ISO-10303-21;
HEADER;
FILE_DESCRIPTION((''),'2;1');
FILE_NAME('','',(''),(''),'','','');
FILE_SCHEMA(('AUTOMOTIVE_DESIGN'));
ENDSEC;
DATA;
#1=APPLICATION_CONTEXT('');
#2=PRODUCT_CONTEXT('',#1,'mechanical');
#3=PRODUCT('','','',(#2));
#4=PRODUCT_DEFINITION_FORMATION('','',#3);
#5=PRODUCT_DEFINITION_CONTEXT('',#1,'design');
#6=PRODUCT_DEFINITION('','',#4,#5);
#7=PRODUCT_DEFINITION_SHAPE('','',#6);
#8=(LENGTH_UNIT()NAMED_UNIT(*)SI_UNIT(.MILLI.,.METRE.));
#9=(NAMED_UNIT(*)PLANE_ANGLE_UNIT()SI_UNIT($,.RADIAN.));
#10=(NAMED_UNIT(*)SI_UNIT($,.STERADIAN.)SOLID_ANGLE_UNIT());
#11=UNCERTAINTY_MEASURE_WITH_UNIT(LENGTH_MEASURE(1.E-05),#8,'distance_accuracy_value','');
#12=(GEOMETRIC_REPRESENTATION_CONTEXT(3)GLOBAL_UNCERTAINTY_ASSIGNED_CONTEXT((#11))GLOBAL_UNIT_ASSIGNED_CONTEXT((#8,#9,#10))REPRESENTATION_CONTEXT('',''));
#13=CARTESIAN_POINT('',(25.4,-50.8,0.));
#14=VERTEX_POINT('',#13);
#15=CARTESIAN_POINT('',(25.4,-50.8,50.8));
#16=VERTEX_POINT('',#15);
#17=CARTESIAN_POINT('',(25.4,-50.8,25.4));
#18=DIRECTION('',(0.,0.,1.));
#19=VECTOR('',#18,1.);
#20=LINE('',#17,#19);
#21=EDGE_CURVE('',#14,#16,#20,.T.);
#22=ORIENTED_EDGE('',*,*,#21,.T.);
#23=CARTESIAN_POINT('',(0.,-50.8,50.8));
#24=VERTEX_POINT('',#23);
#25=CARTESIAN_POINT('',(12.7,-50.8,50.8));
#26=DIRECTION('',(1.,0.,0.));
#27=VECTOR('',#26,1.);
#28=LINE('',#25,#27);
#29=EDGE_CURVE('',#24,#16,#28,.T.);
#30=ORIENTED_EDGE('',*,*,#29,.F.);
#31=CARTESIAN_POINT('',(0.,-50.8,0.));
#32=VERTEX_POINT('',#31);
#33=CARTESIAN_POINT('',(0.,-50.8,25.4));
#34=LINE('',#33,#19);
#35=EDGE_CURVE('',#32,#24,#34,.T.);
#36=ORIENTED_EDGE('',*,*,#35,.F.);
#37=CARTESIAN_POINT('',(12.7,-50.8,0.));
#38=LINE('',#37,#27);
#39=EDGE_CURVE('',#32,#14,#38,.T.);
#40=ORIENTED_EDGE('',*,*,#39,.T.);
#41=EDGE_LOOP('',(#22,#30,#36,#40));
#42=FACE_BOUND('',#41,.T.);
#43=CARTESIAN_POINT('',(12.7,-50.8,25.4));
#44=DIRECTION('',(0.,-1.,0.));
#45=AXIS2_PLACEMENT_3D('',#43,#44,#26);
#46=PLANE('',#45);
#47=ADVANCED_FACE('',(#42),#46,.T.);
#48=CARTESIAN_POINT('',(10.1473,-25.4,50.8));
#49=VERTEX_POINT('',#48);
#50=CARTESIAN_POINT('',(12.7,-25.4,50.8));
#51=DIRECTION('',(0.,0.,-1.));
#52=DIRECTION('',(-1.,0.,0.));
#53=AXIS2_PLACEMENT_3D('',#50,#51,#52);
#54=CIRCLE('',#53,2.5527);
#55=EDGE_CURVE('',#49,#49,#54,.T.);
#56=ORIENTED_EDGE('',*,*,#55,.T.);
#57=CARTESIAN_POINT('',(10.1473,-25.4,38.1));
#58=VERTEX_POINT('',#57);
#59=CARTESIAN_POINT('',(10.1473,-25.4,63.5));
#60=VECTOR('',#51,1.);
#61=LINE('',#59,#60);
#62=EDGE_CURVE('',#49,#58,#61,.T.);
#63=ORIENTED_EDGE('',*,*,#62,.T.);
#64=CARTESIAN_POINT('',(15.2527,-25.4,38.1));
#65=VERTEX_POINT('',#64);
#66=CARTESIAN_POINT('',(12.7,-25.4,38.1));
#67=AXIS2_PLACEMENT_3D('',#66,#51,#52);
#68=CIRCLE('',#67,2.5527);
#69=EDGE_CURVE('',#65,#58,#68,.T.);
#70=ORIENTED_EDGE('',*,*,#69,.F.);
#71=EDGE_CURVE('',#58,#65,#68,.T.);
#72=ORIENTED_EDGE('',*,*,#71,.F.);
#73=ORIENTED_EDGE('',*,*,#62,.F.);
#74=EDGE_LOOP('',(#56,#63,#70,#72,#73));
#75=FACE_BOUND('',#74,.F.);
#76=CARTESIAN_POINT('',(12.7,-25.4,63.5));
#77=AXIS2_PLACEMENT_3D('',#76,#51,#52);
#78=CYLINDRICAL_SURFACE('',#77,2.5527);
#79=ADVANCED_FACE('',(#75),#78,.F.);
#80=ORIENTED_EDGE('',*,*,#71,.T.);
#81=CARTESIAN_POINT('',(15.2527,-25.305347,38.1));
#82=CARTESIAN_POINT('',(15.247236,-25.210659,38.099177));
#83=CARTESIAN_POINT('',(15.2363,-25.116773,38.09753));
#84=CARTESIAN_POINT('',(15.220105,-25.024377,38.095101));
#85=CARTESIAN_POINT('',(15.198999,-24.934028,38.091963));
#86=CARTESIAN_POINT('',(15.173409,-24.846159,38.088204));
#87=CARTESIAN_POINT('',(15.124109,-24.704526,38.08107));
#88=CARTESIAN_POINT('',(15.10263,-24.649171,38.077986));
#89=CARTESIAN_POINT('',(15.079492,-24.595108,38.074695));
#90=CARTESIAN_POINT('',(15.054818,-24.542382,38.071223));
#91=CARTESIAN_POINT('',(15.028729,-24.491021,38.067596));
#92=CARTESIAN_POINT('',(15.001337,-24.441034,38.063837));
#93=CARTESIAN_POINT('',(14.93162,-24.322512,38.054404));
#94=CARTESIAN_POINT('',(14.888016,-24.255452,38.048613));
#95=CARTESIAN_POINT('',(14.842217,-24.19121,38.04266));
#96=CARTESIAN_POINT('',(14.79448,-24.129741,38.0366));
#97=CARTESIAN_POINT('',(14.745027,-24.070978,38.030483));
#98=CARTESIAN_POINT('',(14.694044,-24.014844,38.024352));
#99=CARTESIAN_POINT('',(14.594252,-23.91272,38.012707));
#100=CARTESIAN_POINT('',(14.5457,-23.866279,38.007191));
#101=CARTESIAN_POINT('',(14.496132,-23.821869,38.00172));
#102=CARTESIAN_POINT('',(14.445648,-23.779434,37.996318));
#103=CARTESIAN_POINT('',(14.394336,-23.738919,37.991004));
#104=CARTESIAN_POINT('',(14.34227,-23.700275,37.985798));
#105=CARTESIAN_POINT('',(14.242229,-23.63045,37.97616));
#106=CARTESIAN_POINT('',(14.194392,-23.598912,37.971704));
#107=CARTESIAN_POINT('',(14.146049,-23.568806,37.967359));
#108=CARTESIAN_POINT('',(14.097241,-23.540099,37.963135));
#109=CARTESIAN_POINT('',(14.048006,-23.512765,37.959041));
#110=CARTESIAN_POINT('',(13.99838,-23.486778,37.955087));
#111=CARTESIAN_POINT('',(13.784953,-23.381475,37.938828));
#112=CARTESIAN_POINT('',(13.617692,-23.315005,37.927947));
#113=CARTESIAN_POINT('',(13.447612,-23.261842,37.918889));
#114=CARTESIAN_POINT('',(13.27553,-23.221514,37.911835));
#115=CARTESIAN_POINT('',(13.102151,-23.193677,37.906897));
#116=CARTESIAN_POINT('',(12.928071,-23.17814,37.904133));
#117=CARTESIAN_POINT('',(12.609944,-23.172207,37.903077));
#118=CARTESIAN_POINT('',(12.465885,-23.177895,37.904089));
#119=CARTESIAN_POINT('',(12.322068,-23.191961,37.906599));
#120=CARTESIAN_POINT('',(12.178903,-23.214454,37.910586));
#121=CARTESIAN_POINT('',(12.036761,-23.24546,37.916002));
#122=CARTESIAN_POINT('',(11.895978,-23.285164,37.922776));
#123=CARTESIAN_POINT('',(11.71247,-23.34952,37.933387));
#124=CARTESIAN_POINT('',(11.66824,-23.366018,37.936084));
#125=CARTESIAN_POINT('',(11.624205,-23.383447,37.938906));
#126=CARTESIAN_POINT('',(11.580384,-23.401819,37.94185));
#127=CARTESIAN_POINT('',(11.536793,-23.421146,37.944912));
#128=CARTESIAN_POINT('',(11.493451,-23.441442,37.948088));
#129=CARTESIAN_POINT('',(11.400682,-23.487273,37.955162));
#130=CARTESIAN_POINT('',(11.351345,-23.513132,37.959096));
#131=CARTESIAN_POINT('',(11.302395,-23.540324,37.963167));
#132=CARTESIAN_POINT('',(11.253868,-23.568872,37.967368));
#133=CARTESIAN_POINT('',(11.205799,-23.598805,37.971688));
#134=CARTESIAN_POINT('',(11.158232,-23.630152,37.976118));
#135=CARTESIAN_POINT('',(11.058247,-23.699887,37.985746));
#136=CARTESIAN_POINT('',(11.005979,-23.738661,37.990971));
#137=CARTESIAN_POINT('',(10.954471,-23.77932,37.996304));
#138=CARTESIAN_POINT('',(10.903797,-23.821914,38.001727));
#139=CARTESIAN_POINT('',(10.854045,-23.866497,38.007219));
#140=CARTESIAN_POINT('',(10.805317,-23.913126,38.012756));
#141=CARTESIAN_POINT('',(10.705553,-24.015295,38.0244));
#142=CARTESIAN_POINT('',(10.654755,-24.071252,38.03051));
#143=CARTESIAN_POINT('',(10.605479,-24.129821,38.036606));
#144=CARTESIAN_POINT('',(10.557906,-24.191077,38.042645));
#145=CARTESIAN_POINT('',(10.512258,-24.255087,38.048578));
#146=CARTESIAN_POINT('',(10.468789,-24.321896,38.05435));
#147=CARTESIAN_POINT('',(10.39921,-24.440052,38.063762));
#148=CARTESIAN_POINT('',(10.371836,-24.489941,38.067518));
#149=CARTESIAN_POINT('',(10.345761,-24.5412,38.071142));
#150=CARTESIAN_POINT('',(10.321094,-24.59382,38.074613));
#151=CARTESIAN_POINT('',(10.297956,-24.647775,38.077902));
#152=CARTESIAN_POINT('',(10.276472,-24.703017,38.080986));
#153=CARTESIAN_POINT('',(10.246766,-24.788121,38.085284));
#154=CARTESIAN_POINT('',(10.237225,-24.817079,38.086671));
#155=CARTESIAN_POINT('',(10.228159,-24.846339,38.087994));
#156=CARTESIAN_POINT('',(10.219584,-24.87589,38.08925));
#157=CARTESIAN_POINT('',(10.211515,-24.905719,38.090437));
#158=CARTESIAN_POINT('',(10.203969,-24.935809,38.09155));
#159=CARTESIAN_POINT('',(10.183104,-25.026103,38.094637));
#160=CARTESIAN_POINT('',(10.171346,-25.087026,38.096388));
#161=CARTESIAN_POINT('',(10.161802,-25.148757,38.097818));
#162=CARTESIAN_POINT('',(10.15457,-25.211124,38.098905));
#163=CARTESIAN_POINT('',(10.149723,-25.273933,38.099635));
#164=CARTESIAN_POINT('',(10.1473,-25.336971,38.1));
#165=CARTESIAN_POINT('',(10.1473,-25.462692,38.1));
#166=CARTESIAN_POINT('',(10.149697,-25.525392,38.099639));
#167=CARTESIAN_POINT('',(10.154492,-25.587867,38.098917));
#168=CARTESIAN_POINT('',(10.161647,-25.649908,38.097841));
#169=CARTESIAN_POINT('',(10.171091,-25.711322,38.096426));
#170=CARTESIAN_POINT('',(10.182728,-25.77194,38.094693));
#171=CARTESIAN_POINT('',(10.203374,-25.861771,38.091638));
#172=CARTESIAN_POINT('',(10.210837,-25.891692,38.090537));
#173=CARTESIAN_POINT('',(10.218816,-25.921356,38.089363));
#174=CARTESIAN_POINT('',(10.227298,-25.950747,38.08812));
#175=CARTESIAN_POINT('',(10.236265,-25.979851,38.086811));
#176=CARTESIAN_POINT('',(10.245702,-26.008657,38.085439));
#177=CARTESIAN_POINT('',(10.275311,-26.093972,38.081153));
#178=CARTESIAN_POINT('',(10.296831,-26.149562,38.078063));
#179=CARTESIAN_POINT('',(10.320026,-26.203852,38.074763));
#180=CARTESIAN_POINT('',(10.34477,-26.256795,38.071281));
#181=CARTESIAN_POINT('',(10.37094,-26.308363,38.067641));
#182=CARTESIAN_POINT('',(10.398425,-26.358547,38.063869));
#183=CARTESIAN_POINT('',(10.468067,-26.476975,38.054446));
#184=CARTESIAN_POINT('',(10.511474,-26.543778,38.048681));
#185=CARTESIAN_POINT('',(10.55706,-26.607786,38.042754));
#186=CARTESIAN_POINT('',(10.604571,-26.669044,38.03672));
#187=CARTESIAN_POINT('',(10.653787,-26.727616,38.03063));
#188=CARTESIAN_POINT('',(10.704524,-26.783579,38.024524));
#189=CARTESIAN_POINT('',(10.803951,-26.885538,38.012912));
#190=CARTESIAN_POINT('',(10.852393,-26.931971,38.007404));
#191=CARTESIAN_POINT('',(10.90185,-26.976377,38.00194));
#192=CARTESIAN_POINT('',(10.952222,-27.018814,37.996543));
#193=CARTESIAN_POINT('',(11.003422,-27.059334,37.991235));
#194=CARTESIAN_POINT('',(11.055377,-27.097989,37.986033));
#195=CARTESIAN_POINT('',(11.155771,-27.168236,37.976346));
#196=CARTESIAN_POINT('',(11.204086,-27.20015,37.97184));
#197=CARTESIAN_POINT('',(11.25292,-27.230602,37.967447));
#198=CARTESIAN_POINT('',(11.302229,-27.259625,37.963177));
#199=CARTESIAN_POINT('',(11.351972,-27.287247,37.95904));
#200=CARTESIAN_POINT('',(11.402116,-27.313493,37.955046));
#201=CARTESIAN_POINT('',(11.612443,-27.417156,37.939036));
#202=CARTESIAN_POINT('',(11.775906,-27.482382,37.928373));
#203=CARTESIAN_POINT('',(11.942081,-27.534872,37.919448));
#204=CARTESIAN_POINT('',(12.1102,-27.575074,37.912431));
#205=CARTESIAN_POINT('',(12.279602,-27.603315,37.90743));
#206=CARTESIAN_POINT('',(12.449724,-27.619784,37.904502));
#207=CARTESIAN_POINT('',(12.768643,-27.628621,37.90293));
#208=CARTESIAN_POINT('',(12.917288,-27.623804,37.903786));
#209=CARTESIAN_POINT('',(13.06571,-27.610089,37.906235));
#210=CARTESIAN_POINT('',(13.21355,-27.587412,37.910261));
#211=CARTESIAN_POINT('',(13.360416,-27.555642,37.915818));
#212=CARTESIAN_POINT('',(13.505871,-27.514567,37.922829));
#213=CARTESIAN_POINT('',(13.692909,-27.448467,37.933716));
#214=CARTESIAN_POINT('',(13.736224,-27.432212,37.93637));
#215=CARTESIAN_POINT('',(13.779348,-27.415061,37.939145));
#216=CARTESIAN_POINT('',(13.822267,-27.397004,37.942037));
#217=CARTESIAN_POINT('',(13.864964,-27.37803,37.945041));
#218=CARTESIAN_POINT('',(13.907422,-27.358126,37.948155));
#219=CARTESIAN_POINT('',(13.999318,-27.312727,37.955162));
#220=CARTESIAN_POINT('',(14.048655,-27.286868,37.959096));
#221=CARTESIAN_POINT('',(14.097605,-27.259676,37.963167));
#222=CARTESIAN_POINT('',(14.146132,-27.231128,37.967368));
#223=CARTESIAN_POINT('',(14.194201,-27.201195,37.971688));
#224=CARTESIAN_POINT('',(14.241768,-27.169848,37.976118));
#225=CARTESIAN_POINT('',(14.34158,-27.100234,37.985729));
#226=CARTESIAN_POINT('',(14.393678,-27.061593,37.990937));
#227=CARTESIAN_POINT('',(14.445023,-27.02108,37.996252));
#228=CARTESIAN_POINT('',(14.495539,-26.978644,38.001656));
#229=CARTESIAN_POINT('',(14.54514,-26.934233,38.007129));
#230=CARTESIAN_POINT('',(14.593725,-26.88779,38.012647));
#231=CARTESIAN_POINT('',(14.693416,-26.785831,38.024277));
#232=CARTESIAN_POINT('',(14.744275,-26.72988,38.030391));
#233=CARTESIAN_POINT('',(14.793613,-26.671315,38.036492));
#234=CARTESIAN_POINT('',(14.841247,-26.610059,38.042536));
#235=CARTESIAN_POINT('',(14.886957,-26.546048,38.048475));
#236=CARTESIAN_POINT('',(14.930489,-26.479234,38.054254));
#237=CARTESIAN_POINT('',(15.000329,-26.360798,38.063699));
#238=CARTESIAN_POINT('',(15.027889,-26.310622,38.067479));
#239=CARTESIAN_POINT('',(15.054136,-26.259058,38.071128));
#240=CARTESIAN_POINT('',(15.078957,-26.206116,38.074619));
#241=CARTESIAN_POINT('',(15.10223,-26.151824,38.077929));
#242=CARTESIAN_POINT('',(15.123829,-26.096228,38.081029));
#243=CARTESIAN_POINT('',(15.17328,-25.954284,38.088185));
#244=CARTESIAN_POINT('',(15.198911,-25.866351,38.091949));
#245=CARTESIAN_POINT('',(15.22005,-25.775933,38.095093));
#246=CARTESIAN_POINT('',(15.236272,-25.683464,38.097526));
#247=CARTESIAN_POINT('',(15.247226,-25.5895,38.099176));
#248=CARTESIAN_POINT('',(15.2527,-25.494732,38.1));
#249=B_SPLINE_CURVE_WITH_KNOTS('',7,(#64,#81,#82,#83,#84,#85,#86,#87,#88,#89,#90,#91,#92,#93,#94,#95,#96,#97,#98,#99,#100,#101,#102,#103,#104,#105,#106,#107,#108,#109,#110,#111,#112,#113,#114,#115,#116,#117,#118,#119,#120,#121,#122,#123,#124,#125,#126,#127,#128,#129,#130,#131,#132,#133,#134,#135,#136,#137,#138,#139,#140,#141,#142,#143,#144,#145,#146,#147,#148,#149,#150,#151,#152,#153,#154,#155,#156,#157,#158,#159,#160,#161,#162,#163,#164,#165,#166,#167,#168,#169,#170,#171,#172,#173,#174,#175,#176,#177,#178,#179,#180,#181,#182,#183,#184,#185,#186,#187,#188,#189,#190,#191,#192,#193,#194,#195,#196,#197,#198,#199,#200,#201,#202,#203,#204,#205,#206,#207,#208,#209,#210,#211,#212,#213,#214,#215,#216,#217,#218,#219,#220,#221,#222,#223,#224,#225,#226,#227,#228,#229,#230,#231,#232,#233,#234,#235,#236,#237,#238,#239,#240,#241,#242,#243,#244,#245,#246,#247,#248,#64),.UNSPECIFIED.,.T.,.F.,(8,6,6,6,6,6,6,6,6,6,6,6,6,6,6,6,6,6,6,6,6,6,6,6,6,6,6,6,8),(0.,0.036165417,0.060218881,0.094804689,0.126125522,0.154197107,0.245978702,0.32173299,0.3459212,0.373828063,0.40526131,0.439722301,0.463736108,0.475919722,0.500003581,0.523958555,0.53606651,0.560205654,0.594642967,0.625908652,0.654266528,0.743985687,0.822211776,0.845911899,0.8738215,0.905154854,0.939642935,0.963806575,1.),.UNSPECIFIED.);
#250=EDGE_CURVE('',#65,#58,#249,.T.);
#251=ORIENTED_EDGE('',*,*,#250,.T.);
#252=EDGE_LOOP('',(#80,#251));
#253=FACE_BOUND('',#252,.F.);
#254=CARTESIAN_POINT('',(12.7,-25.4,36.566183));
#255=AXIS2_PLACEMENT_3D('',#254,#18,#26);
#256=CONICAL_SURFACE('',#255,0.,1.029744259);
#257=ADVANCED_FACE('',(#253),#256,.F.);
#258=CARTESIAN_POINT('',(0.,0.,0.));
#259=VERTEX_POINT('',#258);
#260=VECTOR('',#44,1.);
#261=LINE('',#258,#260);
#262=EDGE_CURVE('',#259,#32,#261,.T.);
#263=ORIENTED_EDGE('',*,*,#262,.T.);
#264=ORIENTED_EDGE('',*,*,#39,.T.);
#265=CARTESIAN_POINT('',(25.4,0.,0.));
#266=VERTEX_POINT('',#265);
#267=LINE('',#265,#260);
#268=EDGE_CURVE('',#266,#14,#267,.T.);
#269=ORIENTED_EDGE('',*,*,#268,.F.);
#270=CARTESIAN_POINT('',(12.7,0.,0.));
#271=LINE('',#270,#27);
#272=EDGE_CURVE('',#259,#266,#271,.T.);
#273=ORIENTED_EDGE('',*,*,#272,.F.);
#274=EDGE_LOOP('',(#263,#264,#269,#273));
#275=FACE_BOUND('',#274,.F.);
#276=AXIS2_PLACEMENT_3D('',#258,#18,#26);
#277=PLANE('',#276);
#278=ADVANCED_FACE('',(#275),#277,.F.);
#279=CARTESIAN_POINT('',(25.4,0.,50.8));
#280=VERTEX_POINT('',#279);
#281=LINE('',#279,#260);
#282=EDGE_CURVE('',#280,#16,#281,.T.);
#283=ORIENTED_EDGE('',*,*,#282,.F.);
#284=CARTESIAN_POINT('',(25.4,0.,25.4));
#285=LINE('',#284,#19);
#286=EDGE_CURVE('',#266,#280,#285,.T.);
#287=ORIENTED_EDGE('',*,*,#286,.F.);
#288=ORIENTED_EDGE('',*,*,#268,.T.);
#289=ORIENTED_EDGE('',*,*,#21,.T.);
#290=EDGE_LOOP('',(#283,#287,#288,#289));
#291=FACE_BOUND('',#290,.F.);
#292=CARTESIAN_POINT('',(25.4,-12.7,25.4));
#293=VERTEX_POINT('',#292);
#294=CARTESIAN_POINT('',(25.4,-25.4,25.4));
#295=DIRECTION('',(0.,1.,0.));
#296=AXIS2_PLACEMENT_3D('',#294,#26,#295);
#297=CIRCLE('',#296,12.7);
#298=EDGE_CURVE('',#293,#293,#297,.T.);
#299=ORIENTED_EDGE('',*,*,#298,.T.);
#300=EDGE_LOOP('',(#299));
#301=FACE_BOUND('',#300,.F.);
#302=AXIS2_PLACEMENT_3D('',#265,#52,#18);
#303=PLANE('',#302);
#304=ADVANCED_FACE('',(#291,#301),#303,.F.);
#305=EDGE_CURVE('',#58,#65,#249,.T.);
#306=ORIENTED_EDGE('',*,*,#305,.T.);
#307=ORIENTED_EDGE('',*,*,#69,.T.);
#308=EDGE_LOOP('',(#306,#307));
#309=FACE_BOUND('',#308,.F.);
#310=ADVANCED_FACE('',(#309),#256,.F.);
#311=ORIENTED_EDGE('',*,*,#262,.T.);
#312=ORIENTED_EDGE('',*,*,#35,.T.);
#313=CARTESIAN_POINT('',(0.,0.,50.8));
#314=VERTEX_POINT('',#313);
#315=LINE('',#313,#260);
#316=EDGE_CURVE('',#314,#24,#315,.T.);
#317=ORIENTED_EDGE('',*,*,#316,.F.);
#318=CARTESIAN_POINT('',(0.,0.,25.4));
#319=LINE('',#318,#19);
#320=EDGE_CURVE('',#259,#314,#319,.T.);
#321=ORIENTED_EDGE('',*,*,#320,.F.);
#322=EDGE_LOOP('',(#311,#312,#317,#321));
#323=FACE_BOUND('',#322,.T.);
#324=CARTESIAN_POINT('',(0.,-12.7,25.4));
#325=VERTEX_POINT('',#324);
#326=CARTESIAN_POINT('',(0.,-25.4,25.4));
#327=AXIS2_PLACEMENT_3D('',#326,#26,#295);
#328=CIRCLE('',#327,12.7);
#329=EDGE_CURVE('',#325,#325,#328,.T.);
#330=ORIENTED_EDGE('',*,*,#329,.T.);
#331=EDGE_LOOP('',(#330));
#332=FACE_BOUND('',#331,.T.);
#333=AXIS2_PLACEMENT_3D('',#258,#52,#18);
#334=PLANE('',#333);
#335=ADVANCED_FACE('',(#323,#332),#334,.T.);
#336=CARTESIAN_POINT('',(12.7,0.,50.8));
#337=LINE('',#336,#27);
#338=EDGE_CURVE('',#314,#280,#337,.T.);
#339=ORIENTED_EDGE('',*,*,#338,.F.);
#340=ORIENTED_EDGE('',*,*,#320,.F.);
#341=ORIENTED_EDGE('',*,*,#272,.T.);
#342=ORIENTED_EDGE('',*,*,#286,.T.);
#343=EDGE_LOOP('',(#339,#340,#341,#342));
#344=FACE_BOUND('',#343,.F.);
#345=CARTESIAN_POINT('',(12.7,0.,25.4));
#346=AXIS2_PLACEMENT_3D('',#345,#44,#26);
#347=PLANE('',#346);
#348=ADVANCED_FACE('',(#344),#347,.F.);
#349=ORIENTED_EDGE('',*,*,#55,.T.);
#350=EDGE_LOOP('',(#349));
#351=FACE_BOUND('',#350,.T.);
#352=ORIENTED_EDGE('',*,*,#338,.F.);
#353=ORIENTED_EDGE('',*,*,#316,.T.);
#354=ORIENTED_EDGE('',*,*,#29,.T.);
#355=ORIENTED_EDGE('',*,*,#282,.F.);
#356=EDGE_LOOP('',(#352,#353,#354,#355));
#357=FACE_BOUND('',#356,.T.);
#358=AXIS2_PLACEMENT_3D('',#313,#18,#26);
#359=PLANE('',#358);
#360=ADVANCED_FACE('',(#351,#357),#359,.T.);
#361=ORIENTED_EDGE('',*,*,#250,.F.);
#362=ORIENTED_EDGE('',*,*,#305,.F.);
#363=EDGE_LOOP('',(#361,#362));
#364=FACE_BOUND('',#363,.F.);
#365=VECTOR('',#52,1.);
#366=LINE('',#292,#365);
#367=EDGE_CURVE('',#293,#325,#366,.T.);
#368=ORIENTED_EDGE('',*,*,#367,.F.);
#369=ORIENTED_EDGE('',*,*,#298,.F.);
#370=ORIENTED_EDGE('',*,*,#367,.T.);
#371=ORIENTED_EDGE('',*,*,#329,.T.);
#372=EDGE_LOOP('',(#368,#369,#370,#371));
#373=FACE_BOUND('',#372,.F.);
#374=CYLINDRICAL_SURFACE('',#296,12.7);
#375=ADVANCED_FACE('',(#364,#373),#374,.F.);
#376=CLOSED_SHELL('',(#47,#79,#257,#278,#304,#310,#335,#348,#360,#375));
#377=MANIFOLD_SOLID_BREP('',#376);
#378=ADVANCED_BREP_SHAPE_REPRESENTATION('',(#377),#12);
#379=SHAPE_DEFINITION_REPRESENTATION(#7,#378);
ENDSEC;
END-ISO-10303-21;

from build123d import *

# Parameters (mm, degrees)
F0_W     = 25.4
F0_H     = 50.8
F1_DEPTH = 50.8
F2_R     = 12.7
F3_DEPTH = 25.401
F5_D     = 5.1054
F5_DEPTH = 12.7
F5_TIP   = 1.5338169022


with BuildPart() as f1:
    # F0 (on Front) → F1 (new body)
    with BuildSketch(Plane.XZ):
        with Locations((12.7, 25.4)):
            Rectangle(F0_W, F0_H)
    extrude(amount=F1_DEPTH)

    # F2 (on face) → F3 (cut, through all)
    with BuildSketch(Plane.YZ.offset(25.4)):
        with Locations((-25.4, 25.4)):
            Circle(F2_R)
    extrude(amount=-F3_DEPTH, mode=Mode.SUBTRACT)

    # F5
    with Locations(Plane.XY.offset(50.8)):
        with Locations((12.7, -25.4)):
            Hole(F5_D / 2, depth=F5_DEPTH)
            with Locations((0, 0, -(F5_DEPTH + F5_TIP / 2))):  # 118° drill point
                Cone(0, F5_D / 2, F5_TIP, mode=Mode.SUBTRACT)


solid = f1.part
